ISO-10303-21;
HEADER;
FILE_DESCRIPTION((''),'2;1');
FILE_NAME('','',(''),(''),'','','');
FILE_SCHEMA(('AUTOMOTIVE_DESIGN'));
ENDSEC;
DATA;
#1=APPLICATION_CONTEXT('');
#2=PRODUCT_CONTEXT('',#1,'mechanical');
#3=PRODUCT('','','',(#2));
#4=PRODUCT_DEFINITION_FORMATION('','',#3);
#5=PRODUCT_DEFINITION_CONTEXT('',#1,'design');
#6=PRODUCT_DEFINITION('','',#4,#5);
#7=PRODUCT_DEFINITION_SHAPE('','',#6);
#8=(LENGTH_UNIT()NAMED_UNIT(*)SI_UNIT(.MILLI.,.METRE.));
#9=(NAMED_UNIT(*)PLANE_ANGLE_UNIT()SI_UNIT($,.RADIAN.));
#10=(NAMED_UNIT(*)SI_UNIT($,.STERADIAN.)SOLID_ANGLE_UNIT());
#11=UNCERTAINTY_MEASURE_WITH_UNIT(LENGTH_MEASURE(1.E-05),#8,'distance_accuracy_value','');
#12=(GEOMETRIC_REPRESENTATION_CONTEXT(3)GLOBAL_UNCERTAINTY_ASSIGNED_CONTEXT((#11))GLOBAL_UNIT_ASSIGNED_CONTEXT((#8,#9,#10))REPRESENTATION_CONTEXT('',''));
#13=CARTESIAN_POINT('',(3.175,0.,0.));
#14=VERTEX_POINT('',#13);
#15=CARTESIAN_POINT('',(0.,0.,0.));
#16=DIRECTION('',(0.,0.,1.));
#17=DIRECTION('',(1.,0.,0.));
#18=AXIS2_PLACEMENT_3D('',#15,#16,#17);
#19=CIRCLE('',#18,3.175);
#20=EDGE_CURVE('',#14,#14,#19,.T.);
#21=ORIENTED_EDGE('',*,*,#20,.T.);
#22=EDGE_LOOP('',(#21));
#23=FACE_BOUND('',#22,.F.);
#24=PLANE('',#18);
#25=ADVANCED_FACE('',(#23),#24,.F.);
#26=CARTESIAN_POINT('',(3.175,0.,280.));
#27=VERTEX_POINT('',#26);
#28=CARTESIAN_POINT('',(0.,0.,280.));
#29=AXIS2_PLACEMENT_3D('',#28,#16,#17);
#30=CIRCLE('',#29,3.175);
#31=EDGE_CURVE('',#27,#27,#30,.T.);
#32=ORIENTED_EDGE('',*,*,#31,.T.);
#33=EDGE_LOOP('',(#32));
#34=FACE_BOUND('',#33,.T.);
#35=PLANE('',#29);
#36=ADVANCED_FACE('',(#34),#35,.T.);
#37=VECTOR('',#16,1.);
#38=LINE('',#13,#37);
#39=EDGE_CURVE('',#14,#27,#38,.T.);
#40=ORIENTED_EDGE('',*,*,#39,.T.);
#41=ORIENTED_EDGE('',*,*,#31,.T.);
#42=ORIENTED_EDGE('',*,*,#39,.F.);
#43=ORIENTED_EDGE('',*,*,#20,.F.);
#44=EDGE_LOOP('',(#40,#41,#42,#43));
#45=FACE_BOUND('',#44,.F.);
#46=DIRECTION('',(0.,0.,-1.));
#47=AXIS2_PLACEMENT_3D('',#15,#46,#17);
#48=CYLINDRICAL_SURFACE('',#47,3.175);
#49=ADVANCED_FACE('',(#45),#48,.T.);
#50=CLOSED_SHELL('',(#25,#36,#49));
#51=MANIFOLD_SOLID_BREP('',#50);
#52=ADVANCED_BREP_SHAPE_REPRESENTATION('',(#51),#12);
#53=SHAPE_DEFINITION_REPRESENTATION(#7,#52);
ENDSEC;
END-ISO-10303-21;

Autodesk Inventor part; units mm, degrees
ref_plane "YZ Plane" through (0, 0, 0) normal (1, 0, 0) x (0, 1, 0)
ref_plane "XZ Plane" through (0, 0, 0) normal (0, 1, 0) x (-1, 0, 0)
ref_plane "XY Plane" through (0, 0, 0) normal (0, 0, 1) x (1, 0, 0)
sketch "Boceto1" plane through (0, 0, 0) normal (0, 0, 1) x (1, 0, 0)
  circle A0 centre (0, 0) radius 3.175
  dimension "d0" = 6.35
extrude "Extrusión1" add sketch "Boceto1" along normal blind 280
thread "Rosca1" size "1/4-14" class "2B" standard "Inch Tapping Threads" full length
properties part number "Varilla"
